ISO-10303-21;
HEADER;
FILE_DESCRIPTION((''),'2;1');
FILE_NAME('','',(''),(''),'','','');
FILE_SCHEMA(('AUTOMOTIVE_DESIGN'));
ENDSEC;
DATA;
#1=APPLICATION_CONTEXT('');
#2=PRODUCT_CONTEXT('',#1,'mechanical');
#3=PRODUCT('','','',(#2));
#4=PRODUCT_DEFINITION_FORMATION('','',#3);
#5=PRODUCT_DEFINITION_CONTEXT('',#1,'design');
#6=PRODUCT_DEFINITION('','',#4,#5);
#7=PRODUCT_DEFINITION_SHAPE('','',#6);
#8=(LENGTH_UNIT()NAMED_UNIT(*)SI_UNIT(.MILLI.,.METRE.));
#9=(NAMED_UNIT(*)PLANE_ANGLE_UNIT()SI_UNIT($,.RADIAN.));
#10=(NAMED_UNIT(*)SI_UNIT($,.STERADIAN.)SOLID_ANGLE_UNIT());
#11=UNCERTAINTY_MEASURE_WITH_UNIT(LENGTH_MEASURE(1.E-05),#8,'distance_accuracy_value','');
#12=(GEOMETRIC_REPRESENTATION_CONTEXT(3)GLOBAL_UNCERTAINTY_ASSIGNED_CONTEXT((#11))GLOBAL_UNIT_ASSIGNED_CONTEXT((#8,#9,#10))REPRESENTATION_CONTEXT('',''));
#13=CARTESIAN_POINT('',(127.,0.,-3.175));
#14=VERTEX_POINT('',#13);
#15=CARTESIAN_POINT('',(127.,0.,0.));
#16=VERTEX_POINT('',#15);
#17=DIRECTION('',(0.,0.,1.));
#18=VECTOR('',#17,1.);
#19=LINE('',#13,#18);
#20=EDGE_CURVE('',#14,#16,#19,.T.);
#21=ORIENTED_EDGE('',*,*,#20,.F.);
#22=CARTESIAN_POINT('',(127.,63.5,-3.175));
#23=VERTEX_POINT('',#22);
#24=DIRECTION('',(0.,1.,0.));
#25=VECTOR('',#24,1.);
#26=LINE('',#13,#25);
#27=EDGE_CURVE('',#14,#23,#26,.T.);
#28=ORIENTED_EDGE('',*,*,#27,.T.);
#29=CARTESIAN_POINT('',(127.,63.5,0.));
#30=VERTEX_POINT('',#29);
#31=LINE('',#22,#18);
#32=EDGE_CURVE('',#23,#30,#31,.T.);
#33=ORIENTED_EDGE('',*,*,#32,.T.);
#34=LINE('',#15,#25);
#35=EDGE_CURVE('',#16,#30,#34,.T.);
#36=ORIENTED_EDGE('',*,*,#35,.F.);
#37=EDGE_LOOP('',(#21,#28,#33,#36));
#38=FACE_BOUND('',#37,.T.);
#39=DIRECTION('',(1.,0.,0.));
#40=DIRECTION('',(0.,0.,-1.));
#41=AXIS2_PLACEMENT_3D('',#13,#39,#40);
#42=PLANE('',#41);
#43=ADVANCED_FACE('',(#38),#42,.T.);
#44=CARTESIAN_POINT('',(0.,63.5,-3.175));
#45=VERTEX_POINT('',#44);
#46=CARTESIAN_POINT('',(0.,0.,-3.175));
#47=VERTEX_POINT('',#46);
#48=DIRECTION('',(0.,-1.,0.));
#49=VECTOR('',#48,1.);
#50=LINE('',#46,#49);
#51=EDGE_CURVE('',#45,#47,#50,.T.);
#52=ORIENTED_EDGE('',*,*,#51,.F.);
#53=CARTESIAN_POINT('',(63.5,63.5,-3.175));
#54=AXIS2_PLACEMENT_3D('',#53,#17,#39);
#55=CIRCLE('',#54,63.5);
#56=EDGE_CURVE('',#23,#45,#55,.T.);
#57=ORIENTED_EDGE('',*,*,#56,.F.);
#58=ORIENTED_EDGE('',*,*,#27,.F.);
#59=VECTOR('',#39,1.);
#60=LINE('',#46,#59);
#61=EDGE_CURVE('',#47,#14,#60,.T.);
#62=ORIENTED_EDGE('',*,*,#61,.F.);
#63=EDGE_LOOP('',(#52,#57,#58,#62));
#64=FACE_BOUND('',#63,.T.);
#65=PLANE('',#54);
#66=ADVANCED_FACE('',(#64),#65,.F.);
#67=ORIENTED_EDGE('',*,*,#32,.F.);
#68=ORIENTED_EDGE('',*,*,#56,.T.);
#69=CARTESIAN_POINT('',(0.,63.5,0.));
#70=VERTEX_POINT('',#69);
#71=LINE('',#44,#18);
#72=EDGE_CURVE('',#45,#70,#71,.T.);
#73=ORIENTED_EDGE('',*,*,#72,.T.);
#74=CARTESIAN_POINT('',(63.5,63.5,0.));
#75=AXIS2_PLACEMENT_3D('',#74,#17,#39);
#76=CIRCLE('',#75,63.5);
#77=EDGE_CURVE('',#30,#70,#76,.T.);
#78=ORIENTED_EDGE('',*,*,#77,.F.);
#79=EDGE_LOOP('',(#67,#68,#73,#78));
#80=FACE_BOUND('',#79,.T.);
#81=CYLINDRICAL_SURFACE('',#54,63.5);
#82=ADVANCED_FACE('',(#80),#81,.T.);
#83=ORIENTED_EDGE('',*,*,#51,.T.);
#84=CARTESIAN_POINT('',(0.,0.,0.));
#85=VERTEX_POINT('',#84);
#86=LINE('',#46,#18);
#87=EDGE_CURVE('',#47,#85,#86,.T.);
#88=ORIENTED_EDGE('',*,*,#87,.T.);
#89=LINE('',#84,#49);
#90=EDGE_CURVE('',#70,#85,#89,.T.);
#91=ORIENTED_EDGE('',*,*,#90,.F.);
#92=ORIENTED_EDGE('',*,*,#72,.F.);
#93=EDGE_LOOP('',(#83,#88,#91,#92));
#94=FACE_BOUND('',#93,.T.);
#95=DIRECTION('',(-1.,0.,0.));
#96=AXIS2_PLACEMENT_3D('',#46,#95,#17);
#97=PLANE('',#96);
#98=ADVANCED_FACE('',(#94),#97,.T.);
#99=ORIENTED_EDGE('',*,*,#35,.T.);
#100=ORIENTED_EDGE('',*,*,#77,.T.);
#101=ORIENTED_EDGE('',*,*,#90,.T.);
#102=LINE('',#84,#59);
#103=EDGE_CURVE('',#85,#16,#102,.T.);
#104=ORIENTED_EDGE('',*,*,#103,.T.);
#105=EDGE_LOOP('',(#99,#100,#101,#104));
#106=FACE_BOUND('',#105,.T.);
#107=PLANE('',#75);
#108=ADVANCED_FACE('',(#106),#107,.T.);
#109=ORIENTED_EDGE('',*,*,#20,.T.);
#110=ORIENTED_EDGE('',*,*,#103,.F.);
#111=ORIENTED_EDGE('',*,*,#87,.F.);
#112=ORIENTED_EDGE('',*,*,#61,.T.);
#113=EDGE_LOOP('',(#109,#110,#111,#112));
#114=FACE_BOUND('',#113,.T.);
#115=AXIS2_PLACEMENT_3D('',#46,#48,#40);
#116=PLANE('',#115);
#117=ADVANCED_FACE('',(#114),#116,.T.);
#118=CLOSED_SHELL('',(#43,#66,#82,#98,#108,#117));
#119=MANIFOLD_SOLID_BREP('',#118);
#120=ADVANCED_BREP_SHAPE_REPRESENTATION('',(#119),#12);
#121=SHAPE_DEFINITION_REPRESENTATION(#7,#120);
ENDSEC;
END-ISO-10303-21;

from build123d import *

# Parameters (mm, degrees)
EXTRUDE1_DEPTH = 3.175


with BuildPart() as part:
    # Sketch1 → Extrude1 (new body)
    with BuildSketch(Plane.XY):
        with BuildLine():
            Line((0, 0), (127, 0))
            Line((127, 0), (127, 63.5))
            ThreePointArc((127, 63.5), (63.5, 127), (0, 63.5))
            Line((0, 63.5), (0, 0))
        make_face()
    extrude(amount=-EXTRUDE1_DEPTH)


solid = part.part
